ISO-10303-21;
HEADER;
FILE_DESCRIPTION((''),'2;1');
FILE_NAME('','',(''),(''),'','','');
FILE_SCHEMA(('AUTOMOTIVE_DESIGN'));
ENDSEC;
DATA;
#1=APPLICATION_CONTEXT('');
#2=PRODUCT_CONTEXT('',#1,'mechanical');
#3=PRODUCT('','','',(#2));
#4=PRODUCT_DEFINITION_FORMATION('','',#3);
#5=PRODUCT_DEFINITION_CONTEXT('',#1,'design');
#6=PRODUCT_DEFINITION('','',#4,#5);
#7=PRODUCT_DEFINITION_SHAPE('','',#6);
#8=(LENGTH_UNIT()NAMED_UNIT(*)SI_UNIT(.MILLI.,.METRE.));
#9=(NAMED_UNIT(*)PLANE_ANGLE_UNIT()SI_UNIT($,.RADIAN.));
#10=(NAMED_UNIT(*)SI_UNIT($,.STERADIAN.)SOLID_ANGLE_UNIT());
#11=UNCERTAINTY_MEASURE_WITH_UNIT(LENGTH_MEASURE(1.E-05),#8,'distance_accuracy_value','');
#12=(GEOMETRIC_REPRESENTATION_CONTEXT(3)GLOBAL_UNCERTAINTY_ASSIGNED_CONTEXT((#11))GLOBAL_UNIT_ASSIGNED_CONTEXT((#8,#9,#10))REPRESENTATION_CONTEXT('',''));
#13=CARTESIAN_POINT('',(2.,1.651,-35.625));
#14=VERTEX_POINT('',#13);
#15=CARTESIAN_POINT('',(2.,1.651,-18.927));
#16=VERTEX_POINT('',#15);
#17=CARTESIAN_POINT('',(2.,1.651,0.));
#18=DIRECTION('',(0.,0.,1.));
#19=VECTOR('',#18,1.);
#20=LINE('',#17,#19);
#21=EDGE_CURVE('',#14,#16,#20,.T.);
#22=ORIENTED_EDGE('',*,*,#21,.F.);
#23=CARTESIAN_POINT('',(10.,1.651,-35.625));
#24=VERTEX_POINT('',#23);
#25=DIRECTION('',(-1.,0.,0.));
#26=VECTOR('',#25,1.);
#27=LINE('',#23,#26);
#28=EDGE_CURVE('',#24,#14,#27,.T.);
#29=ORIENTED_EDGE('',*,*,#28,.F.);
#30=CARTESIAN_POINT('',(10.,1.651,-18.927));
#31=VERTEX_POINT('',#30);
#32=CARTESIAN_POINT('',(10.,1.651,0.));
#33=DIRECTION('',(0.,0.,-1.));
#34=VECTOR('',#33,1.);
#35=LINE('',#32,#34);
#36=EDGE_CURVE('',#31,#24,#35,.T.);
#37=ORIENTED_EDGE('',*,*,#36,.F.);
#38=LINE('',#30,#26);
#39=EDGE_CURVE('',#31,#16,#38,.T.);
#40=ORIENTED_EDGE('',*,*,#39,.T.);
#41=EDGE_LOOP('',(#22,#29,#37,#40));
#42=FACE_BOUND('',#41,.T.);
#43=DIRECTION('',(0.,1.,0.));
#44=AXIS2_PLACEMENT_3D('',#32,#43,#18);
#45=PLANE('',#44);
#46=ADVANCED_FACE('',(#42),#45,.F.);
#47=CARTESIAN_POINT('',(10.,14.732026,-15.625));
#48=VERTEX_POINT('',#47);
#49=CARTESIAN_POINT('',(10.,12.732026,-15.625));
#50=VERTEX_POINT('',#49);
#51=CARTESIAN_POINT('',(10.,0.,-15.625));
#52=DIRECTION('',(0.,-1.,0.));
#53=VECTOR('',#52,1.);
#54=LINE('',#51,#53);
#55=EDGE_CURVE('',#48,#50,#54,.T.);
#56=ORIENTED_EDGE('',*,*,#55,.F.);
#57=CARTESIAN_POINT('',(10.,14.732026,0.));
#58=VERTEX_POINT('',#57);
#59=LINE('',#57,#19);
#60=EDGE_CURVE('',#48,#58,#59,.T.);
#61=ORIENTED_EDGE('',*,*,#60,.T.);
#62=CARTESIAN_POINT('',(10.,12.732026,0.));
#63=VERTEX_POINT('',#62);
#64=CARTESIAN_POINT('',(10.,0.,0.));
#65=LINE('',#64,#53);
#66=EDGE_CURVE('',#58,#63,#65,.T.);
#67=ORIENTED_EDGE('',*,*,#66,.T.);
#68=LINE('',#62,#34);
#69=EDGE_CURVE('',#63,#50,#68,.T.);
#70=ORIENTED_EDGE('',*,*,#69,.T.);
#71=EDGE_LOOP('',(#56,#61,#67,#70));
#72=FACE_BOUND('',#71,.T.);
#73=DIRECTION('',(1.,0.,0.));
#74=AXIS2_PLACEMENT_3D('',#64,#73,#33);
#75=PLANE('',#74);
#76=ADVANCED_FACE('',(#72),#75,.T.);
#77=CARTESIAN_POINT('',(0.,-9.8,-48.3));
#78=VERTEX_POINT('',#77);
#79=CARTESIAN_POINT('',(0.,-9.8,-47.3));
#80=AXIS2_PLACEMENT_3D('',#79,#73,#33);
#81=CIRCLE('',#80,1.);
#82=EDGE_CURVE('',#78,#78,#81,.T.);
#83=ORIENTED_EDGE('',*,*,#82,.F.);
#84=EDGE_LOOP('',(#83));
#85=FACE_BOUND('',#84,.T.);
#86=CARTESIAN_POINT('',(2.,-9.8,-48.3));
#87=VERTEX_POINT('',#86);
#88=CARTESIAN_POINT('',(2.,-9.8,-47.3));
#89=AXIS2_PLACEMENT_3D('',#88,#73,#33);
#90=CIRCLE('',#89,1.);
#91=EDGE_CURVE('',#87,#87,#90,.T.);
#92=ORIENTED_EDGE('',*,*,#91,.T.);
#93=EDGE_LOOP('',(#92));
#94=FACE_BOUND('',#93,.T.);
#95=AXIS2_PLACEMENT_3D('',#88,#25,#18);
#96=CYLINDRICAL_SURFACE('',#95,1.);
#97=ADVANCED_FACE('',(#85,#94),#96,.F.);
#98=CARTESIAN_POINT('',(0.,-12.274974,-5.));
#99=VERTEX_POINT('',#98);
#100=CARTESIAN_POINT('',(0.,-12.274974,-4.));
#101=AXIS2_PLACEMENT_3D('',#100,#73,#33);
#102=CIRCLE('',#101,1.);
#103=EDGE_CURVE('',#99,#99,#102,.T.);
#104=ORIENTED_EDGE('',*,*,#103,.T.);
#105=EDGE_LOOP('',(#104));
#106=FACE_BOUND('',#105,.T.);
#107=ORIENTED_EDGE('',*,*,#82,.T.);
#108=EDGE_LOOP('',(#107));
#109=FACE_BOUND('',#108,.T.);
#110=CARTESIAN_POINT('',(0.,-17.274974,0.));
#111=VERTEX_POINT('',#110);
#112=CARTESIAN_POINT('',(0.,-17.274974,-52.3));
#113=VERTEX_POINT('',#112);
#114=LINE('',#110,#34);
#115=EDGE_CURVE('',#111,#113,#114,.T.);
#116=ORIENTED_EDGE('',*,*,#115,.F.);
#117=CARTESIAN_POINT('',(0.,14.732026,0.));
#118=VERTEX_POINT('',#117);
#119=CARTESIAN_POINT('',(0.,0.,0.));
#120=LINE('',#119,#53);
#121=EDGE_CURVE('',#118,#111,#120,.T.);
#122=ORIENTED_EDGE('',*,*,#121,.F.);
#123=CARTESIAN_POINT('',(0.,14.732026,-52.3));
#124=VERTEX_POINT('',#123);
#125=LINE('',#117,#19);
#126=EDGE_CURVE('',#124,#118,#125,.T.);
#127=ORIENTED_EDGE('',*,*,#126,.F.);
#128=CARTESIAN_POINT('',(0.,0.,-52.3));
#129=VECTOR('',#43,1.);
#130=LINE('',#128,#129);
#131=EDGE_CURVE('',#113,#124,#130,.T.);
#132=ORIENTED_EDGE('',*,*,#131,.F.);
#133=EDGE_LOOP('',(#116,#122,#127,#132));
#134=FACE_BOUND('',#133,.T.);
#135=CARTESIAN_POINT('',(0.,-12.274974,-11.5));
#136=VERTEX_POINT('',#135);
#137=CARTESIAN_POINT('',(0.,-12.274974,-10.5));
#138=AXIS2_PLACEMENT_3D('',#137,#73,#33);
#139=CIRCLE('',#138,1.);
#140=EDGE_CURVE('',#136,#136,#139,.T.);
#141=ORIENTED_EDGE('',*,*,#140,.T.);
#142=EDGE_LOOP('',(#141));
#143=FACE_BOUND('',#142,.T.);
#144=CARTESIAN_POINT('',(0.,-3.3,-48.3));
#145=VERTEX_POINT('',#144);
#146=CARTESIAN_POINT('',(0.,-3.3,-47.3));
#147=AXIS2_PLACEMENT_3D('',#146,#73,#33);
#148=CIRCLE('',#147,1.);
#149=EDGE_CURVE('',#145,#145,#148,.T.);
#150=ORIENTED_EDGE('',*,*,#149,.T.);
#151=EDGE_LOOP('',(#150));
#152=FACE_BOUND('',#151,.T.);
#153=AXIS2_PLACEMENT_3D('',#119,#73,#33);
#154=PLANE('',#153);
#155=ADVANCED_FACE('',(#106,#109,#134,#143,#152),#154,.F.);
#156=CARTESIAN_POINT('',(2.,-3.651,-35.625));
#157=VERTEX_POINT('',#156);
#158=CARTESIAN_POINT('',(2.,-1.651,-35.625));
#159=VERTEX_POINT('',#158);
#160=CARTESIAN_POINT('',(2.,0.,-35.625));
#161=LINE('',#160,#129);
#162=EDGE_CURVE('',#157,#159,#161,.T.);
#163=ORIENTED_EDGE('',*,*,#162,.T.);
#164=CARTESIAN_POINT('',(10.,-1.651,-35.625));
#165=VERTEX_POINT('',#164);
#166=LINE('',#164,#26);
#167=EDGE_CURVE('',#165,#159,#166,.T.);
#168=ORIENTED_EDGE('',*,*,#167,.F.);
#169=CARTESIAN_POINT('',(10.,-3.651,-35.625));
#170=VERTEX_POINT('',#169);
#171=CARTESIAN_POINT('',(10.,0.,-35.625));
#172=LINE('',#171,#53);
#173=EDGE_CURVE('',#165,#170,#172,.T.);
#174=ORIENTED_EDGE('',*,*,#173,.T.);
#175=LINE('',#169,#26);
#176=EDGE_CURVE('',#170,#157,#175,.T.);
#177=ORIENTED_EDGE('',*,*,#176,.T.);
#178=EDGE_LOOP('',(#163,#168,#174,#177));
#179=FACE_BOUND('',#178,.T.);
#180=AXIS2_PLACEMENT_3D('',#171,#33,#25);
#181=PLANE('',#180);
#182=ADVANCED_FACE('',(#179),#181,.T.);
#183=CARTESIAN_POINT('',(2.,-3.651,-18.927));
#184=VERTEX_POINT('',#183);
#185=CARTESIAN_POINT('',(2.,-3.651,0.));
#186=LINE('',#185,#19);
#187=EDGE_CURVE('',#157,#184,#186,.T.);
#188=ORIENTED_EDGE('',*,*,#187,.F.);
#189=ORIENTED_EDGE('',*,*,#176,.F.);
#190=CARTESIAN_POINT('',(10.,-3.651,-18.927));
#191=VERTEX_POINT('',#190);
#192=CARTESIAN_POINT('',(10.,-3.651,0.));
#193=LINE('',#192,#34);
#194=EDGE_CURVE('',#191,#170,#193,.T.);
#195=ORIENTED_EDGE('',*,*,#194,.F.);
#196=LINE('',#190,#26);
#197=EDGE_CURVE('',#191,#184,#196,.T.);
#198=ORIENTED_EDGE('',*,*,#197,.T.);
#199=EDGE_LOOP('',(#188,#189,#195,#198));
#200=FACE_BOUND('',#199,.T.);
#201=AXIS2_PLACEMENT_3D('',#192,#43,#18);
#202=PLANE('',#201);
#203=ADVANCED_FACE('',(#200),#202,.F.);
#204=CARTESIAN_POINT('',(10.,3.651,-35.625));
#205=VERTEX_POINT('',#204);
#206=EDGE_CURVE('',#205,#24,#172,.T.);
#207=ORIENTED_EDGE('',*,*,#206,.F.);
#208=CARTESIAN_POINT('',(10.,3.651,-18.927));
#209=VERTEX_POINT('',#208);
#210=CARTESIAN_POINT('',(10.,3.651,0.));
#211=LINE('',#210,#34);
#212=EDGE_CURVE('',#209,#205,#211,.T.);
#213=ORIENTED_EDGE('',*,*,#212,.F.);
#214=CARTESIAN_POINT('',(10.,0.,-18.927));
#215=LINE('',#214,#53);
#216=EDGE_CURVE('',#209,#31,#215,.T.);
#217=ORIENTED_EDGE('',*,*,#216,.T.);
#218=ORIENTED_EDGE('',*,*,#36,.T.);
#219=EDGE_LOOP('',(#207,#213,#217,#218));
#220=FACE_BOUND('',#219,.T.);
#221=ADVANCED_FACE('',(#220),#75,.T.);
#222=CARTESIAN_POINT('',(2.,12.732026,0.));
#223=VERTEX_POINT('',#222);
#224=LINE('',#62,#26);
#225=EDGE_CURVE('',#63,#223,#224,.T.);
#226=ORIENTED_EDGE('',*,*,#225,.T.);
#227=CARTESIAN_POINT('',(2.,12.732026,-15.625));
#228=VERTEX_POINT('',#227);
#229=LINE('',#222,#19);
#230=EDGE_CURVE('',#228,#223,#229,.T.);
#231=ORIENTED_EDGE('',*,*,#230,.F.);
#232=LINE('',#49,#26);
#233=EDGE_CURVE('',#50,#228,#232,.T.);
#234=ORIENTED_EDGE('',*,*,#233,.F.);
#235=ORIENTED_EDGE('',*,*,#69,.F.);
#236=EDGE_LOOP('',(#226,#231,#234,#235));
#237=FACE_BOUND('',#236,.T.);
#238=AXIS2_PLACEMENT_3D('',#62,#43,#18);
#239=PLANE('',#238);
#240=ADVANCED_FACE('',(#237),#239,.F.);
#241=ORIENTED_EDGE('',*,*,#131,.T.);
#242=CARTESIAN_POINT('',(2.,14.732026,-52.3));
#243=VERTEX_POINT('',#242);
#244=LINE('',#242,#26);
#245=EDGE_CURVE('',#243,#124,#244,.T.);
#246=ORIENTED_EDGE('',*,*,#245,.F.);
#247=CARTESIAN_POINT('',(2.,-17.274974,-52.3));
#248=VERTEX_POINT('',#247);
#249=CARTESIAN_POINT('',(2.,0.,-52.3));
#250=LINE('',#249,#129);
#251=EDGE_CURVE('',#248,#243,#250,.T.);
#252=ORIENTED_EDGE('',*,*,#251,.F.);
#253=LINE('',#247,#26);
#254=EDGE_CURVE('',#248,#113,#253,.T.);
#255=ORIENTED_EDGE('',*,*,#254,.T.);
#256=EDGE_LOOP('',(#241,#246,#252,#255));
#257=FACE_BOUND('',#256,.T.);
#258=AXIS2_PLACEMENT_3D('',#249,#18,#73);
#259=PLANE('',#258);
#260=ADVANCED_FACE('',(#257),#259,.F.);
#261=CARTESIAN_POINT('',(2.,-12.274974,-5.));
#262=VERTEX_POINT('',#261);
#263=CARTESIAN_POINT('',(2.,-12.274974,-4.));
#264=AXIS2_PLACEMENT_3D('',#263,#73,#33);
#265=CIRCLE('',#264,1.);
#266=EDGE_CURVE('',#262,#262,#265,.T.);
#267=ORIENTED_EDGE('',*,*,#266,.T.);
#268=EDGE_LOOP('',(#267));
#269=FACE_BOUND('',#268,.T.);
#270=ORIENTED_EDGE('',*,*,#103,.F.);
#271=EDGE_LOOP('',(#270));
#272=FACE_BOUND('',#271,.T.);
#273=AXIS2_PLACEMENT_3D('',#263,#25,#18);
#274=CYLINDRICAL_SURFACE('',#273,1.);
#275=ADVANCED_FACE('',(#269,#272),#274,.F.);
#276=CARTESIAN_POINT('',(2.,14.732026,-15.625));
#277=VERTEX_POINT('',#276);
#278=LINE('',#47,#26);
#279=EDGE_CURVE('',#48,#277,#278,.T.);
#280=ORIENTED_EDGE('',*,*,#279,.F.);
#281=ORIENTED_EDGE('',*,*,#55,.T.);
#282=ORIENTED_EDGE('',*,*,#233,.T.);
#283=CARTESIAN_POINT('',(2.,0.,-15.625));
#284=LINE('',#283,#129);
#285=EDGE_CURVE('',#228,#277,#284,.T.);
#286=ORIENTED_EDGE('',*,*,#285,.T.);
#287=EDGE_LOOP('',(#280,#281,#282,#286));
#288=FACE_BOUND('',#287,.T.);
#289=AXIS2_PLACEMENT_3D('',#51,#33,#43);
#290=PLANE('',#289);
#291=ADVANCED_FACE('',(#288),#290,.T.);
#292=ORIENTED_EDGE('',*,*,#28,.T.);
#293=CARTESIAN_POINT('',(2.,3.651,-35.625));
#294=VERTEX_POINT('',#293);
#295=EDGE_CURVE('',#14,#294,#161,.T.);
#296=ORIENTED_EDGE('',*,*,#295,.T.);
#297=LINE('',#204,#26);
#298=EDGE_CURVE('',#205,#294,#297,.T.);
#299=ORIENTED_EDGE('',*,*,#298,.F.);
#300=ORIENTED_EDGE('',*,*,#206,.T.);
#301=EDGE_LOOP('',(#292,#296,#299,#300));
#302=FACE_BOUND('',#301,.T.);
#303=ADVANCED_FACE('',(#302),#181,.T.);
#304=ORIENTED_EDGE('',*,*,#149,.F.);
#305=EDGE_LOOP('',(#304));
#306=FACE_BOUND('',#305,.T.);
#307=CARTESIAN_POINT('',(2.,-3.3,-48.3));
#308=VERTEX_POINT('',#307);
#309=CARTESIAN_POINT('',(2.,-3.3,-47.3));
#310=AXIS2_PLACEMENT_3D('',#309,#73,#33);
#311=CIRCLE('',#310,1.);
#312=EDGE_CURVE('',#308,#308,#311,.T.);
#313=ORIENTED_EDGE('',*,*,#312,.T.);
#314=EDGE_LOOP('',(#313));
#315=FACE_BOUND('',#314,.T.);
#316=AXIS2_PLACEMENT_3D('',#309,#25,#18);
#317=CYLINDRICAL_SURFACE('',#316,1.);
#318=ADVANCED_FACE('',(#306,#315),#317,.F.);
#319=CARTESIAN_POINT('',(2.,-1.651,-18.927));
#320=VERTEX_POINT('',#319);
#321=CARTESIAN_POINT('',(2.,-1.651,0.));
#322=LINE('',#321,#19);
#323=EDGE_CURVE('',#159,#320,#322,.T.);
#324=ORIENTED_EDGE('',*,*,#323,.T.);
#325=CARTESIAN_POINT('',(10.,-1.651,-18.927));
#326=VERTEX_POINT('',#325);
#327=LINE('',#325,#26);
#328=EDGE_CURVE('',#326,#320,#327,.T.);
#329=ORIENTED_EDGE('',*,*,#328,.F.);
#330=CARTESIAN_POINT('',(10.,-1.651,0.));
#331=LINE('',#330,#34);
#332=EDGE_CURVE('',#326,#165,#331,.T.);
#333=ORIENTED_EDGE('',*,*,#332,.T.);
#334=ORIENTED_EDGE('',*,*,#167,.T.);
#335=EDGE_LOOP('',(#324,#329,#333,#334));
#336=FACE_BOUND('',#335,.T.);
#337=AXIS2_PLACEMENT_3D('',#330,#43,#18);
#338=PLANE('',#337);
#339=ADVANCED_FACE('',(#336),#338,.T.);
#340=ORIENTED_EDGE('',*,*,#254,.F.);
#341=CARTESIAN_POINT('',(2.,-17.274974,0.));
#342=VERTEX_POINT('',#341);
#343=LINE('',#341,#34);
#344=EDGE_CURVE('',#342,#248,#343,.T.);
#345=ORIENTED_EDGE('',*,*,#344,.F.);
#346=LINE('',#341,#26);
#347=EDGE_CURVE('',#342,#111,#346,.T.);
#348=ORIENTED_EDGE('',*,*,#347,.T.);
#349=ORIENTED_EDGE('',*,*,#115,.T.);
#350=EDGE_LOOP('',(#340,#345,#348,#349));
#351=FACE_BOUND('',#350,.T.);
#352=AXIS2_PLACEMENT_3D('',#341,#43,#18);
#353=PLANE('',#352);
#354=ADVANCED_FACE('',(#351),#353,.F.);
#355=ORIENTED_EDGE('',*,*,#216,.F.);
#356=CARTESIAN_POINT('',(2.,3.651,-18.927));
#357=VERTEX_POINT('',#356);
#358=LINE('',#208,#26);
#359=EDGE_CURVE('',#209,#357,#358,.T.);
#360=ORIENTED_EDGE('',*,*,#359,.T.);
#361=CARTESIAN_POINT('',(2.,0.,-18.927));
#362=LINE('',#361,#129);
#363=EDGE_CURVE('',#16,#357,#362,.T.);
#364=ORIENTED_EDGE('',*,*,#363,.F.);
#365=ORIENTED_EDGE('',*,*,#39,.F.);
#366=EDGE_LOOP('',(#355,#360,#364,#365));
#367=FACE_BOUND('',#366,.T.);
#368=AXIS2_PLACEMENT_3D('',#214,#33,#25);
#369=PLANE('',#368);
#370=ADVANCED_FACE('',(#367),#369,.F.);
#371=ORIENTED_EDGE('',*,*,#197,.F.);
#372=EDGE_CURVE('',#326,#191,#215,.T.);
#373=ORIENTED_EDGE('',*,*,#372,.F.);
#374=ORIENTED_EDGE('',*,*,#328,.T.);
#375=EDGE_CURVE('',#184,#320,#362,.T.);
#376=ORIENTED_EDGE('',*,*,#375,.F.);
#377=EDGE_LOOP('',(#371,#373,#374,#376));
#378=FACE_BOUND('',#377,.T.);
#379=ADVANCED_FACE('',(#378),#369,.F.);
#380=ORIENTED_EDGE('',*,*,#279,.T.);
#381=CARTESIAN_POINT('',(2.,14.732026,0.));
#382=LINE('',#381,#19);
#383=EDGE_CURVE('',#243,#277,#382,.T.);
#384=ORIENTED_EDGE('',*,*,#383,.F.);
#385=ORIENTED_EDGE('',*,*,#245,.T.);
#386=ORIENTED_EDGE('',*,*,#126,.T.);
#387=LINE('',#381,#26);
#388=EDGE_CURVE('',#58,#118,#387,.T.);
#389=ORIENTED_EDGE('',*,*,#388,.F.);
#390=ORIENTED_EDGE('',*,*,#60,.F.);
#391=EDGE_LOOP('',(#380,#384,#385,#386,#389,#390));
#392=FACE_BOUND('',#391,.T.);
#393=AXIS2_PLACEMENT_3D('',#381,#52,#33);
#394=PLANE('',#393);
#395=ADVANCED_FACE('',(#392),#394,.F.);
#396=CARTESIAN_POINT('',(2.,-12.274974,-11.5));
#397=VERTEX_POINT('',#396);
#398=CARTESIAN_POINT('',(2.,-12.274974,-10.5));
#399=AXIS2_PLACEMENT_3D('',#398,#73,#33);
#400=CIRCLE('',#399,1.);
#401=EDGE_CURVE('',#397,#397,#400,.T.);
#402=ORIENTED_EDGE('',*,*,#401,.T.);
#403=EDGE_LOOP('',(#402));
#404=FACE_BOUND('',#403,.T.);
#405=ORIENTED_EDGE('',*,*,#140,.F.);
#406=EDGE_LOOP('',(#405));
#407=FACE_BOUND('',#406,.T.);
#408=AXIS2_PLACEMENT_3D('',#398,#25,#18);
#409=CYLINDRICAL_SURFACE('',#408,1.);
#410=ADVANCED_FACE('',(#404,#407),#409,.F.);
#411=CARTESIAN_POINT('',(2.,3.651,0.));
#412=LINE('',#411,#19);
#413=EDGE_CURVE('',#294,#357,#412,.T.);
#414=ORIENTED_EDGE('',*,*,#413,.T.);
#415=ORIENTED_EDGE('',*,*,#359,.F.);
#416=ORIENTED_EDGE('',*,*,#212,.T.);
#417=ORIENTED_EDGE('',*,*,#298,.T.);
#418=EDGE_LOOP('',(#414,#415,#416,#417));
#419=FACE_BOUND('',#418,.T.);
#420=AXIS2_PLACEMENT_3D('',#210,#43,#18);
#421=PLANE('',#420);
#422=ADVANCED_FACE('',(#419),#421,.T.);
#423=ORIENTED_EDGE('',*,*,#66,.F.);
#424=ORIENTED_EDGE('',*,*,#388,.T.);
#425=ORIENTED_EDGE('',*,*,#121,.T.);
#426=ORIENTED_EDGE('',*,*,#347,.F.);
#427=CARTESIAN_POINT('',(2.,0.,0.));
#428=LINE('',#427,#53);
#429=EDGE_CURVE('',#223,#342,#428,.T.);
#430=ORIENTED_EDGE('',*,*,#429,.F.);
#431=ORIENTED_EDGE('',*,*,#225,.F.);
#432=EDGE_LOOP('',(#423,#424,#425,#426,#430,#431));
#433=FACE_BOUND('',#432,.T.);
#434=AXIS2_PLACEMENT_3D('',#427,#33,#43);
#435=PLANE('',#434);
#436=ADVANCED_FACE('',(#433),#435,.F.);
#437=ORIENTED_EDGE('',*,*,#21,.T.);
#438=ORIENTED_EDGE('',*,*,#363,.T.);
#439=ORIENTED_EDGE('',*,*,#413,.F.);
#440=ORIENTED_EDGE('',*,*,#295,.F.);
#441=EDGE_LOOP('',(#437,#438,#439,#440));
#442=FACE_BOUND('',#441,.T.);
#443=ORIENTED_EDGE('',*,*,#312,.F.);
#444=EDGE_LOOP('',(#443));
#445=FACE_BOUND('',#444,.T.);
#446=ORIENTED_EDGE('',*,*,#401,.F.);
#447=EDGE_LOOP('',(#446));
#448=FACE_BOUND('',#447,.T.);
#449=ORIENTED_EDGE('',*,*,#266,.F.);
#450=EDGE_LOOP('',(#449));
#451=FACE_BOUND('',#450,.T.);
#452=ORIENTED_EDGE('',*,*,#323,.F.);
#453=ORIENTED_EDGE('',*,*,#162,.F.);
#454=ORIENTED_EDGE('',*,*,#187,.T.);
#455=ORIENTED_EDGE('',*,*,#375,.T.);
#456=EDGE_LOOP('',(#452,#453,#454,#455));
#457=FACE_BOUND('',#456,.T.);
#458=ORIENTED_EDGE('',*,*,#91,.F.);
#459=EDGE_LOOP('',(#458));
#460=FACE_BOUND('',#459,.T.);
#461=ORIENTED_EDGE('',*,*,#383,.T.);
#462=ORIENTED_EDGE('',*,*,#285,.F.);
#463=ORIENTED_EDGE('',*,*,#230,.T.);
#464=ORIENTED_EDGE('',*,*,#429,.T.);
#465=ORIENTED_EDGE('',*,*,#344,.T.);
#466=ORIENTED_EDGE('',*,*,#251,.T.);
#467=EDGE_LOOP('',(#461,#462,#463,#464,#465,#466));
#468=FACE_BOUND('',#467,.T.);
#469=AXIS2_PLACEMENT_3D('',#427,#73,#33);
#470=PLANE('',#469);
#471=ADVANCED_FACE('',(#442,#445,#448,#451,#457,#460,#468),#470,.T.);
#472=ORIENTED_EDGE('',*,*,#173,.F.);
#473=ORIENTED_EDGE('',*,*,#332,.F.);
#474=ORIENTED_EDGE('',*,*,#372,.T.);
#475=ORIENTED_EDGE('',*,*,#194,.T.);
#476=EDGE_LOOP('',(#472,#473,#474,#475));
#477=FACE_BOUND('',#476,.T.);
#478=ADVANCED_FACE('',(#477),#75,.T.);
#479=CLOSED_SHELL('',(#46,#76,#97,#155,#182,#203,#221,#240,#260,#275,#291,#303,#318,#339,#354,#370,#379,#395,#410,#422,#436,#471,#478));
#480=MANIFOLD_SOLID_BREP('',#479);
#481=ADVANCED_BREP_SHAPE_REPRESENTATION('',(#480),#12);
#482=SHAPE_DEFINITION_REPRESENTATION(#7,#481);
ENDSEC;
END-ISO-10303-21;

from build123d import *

# Parameters (mm, degrees)
SKETCH1_W           = 52.3
SKETCH1_H           = 32.007
SKETCH1_R           = 1
BOSS_EXTRUDE1_DEPTH = 2
SKETCH1_3_W         = 15.625
SKETCH1_3_H         = 2
SKETCH1_3_W_2       = 16.698
BOSS_EXTRUDE2_DEPTH = 10


with BuildPart() as part:
    # Sketch1 → Boss-Extrude1 (new body)
    with BuildSketch(Plane(origin=(0, 0, 0), x_dir=(0, 0, -1), z_dir=(1, 0, 0))):
        with Locations((26.15, -1.27147436)):
            Rectangle(SKETCH1_W, SKETCH1_H)
        with Locations((4, -12.27497436)):
            Circle(SKETCH1_R, mode=Mode.SUBTRACT)
        with Locations((10.5, -12.27497436)):
            Circle(SKETCH1_R, mode=Mode.SUBTRACT)
        with Locations((47.3, -9.8)):
            Circle(SKETCH1_R, mode=Mode.SUBTRACT)
        with Locations((47.3, -3.3)):
            Circle(SKETCH1_R, mode=Mode.SUBTRACT)
    extrude(amount=BOSS_EXTRUDE1_DEPTH)

    # Sketch1<3> → Boss-Extrude2 (add)
    with BuildSketch(Plane(origin=(0, 0, 0), x_dir=(0, 0, -1), z_dir=(1, 0, 0))):
        with Locations((7.8125, 13.73202564)):
            Rectangle(SKETCH1_3_W, SKETCH1_3_H)
        with Locations((27.276, 2.651)):
            Rectangle(SKETCH1_3_W_2, SKETCH1_3_H)
        with Locations((27.276, -2.651)):
            Rectangle(SKETCH1_3_W_2, SKETCH1_3_H)
    extrude(amount=BOSS_EXTRUDE2_DEPTH)


solid = part.part
